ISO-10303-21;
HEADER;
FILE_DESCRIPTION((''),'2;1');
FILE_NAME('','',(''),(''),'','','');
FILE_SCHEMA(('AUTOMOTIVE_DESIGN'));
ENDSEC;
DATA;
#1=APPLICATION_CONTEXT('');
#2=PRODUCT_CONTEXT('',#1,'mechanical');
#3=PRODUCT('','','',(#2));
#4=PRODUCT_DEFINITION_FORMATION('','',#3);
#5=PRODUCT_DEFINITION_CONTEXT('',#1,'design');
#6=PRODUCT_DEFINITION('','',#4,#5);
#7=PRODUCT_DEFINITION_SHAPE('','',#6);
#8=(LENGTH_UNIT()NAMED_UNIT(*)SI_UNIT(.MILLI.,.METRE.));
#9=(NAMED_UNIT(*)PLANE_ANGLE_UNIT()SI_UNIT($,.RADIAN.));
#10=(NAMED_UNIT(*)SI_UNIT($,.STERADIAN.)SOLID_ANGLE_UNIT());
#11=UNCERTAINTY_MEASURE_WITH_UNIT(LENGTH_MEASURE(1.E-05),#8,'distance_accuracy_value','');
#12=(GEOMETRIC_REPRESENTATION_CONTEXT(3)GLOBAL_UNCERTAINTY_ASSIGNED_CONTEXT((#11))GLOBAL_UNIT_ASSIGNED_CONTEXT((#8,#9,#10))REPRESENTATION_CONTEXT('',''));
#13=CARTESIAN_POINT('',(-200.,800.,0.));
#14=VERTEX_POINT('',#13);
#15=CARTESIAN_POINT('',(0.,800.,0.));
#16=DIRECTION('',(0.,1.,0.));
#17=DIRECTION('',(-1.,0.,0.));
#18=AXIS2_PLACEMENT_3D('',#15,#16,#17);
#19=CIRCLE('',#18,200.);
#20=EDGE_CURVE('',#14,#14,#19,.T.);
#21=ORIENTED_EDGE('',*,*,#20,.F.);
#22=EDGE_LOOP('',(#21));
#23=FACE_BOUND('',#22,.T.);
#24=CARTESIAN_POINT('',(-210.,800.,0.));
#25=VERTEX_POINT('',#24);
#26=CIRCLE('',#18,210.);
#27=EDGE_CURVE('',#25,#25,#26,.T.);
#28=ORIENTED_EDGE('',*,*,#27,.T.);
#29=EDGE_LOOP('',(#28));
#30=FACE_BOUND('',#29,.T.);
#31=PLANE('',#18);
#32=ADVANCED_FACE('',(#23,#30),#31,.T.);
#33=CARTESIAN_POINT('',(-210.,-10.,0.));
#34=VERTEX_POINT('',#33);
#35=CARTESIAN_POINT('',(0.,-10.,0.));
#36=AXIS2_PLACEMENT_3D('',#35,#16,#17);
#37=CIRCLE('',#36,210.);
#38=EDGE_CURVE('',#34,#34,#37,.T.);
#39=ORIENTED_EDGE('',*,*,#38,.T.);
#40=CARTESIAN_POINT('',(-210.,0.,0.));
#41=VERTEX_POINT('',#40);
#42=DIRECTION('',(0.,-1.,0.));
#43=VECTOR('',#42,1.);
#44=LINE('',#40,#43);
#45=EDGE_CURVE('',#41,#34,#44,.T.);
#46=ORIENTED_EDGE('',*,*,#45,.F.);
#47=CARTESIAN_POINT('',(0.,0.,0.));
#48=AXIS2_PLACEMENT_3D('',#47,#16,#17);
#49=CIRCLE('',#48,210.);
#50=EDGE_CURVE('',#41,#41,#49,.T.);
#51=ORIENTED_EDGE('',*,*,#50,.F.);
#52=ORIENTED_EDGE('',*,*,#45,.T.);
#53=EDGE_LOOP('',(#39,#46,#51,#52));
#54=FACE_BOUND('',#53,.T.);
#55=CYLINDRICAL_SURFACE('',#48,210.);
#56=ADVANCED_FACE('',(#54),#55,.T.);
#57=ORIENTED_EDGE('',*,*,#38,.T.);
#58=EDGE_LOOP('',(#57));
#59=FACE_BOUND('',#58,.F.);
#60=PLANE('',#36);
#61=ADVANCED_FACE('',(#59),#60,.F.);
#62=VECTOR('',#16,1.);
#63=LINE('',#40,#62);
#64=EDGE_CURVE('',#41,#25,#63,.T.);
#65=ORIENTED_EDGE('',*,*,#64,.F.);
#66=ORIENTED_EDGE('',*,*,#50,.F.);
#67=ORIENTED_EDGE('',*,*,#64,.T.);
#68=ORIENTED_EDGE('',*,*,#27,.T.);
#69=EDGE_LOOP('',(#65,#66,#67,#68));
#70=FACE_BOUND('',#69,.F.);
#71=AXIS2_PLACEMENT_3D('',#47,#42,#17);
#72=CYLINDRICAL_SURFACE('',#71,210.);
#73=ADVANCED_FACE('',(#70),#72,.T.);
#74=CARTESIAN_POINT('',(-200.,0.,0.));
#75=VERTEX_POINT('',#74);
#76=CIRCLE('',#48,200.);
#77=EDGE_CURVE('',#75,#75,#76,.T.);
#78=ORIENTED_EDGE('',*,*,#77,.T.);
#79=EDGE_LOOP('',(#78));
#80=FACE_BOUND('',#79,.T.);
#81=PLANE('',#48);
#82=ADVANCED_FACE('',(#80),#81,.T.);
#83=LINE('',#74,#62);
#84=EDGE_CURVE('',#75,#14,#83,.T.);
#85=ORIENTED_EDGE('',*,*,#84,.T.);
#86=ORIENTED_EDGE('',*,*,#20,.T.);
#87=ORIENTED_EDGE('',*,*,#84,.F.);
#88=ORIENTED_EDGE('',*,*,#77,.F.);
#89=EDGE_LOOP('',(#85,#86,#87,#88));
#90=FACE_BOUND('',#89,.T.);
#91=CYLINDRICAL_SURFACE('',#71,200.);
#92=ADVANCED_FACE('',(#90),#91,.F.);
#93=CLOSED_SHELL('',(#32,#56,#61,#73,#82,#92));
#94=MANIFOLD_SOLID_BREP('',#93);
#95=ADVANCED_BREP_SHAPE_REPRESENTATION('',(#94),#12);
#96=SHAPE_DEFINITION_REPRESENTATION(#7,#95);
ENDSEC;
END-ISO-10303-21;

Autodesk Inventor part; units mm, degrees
ref_plane "YZ Plane" through (0, 0, 0) normal (1, 0, 0) x (0, 1, 0)
ref_plane "XZ Plane" through (0, 0, 0) normal (0, 1, 0) x (-1, 0, 0)
ref_plane "XY Plane" through (0, 0, 0) normal (0, 0, 1) x (1, 0, 0)
sketch "Sketch1" plane through (0, 0, 0) normal (0, 1, 0) x (-1, 0, 0)
  circle A0 centre (0, 0) radius 200
  circle A1 centre (0, 0) radius 210
  dimension "d0" = 400
  dimension "d1" = 420
extrude "Extrusion1" add sketch "Sketch1" against normal blind 10 contours A0 | A1
extrude "Extrusion2" add sketch "Sketch1" along normal blind 800
sketch "Sketch5" plane through (0, 800, 0) normal (0, 1, 0) x (1, 0, 0)
  circle A0 centre (0, 0) radius 210 projected
  line L0 (-210, 0) -> (210, 0)
  line L1 (-200.1693, -63.5) -> (200.1693, -63.5)
  dimension "d27" = 420
  dimension "d29" = 63.5
properties part number "Tank_M2"
